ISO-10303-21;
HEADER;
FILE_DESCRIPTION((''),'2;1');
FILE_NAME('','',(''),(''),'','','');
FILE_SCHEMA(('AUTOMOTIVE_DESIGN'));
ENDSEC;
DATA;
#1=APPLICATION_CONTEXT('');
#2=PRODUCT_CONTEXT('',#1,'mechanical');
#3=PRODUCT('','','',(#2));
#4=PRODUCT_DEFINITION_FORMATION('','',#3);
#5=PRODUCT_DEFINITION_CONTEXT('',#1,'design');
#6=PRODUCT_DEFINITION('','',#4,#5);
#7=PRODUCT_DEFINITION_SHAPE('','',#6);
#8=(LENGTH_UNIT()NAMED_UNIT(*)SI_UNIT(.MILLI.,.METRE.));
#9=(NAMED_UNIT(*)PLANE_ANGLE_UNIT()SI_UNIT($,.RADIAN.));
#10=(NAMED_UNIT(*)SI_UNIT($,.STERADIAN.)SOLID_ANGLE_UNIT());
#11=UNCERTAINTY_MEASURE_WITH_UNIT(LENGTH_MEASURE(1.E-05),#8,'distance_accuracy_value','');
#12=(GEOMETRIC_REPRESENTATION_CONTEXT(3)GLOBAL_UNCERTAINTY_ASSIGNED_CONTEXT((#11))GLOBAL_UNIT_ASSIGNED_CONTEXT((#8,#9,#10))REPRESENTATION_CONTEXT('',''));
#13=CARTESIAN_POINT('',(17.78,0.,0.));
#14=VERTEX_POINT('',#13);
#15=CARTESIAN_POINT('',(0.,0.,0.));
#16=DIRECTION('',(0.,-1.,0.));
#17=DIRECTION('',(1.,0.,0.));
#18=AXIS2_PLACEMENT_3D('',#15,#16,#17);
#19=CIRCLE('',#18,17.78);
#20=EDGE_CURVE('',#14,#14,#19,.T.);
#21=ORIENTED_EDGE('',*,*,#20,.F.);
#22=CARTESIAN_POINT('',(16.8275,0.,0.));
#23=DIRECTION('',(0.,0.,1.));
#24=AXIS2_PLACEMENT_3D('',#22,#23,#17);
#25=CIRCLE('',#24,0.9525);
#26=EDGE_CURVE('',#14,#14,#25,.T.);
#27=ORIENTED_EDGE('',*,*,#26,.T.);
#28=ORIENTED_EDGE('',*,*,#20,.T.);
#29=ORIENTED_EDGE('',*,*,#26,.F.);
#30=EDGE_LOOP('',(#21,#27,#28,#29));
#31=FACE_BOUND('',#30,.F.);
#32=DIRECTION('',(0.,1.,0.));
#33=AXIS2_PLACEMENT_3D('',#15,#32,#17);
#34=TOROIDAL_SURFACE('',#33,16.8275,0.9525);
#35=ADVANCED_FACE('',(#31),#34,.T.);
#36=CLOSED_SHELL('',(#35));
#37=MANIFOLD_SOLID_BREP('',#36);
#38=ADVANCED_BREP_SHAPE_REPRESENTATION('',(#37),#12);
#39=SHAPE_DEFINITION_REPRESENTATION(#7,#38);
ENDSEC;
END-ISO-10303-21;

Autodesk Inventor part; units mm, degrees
ref_plane "YZ Plane" through (0, 0, 0) normal (1, 0, 0) x (0, 1, 0)
ref_plane "XZ Plane" through (0, 0, 0) normal (0, 1, 0) x (-1, 0, 0)
ref_plane "XY Plane" through (0, 0, 0) normal (0, 0, 1) x (1, 0, 0)
sketch "Sketch1" plane through (0, 0, 0) normal (0, 0, 1) x (1, 0, 0)
  circle A0 centre (16.8275, 0) radius 0.9525
  line L0 (0, 1.5875) -> (0, -5.4158)
  point P0 (0, 0)
  dimension "d2" = 1.905
  dimension "d3" = 16.8275
revolve "Revolution1" add sketch "Sketch1" angle 360 about axis through (0, 1.5875, 0) along (0, -1, 0)
properties part number "O-Ring 1764"
